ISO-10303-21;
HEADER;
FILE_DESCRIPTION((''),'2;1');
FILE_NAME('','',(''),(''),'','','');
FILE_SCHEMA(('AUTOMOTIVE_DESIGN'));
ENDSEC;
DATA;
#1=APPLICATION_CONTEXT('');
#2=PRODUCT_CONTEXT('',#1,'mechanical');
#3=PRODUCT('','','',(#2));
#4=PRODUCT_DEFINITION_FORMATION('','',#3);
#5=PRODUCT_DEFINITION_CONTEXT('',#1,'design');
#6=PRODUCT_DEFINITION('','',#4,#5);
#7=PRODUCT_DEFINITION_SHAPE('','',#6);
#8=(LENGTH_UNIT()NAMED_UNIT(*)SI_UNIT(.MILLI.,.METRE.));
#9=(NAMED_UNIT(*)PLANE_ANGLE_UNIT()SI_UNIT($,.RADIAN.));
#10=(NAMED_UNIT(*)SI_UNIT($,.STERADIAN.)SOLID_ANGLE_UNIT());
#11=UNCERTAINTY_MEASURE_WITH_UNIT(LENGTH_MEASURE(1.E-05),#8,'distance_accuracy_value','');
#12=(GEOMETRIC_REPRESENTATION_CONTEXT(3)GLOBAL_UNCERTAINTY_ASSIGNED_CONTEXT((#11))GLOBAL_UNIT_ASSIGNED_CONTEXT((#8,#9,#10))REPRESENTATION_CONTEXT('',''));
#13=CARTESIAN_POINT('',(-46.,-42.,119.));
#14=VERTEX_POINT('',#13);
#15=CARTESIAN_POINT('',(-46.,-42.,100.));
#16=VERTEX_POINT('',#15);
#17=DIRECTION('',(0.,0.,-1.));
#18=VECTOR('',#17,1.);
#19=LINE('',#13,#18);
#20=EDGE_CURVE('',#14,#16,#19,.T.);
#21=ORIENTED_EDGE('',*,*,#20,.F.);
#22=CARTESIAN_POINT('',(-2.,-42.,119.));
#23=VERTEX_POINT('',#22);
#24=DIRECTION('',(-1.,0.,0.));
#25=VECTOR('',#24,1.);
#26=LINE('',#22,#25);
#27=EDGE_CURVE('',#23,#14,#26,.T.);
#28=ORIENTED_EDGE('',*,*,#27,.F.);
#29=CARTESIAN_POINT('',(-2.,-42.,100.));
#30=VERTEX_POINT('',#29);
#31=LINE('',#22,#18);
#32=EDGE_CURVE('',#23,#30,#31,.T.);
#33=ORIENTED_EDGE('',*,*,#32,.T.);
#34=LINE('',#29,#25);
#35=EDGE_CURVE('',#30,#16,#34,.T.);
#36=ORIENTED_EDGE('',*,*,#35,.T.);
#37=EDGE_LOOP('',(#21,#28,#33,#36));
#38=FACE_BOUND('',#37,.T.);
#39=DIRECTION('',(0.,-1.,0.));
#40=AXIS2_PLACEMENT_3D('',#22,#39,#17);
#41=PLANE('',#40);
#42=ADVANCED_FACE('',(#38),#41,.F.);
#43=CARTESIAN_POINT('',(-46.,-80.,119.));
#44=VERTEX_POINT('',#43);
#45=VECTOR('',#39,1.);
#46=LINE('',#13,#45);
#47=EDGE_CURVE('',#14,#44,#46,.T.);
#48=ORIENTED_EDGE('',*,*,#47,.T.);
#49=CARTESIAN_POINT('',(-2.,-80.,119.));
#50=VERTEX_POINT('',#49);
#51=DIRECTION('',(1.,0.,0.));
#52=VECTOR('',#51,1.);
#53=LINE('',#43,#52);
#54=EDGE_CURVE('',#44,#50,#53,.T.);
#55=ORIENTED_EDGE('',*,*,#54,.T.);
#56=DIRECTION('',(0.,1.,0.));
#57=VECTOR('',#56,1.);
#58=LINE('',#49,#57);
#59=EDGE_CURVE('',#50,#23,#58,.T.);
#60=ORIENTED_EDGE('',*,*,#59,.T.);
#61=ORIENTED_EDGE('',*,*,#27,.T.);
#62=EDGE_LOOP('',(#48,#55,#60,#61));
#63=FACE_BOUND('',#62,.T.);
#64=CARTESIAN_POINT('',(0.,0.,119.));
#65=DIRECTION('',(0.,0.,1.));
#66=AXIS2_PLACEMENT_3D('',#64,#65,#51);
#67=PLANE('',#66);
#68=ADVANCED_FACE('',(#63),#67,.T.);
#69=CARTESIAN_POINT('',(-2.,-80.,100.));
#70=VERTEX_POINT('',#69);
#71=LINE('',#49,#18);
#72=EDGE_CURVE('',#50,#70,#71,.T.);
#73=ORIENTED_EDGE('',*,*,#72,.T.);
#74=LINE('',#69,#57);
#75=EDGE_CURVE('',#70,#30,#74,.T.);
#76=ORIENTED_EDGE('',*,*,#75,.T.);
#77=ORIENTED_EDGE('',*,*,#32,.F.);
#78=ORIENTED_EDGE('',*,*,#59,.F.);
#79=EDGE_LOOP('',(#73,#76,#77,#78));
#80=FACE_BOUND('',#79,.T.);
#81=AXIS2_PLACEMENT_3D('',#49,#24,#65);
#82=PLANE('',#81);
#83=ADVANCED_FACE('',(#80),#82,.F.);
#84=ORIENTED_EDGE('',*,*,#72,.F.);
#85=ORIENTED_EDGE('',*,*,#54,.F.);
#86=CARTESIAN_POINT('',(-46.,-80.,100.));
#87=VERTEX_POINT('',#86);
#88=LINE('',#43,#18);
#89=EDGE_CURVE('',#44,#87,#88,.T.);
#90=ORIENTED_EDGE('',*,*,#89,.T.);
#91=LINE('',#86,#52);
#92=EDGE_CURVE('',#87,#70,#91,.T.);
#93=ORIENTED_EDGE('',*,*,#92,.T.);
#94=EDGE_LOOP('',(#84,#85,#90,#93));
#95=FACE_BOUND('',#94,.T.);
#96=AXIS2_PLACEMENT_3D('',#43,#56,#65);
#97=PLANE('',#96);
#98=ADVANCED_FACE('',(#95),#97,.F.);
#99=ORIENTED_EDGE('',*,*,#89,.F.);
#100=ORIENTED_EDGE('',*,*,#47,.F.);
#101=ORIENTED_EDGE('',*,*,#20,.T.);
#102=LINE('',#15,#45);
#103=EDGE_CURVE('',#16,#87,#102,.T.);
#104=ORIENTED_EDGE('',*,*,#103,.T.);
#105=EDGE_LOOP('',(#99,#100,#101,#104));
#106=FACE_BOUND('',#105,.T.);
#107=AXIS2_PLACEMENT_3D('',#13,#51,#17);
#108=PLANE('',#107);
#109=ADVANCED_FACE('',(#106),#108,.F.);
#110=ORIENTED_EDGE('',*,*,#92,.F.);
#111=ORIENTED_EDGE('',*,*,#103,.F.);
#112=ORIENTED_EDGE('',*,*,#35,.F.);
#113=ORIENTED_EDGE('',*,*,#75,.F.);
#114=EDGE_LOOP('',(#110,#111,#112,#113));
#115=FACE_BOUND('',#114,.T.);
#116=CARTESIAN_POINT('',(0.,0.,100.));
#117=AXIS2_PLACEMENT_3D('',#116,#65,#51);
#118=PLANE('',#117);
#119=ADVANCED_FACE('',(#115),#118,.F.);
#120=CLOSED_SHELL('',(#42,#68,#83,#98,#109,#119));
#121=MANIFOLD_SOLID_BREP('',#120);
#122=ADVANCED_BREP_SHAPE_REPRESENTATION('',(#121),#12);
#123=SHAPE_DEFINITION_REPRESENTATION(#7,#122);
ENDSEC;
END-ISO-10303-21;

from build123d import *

# Parameters (mm, degrees)
SK_BOX_0_W  = 44
SK_BOX_0_H  = 38
BOX_0_DEPTH = 19


with BuildPart() as part:
    # SK_Box_0 → Box_0 (new body)
    with BuildSketch(Plane.XY.offset(100)):
        with Locations((-24, -61)):
            Rectangle(SK_BOX_0_W, SK_BOX_0_H)
    extrude(amount=BOX_0_DEPTH)


solid = part.part
